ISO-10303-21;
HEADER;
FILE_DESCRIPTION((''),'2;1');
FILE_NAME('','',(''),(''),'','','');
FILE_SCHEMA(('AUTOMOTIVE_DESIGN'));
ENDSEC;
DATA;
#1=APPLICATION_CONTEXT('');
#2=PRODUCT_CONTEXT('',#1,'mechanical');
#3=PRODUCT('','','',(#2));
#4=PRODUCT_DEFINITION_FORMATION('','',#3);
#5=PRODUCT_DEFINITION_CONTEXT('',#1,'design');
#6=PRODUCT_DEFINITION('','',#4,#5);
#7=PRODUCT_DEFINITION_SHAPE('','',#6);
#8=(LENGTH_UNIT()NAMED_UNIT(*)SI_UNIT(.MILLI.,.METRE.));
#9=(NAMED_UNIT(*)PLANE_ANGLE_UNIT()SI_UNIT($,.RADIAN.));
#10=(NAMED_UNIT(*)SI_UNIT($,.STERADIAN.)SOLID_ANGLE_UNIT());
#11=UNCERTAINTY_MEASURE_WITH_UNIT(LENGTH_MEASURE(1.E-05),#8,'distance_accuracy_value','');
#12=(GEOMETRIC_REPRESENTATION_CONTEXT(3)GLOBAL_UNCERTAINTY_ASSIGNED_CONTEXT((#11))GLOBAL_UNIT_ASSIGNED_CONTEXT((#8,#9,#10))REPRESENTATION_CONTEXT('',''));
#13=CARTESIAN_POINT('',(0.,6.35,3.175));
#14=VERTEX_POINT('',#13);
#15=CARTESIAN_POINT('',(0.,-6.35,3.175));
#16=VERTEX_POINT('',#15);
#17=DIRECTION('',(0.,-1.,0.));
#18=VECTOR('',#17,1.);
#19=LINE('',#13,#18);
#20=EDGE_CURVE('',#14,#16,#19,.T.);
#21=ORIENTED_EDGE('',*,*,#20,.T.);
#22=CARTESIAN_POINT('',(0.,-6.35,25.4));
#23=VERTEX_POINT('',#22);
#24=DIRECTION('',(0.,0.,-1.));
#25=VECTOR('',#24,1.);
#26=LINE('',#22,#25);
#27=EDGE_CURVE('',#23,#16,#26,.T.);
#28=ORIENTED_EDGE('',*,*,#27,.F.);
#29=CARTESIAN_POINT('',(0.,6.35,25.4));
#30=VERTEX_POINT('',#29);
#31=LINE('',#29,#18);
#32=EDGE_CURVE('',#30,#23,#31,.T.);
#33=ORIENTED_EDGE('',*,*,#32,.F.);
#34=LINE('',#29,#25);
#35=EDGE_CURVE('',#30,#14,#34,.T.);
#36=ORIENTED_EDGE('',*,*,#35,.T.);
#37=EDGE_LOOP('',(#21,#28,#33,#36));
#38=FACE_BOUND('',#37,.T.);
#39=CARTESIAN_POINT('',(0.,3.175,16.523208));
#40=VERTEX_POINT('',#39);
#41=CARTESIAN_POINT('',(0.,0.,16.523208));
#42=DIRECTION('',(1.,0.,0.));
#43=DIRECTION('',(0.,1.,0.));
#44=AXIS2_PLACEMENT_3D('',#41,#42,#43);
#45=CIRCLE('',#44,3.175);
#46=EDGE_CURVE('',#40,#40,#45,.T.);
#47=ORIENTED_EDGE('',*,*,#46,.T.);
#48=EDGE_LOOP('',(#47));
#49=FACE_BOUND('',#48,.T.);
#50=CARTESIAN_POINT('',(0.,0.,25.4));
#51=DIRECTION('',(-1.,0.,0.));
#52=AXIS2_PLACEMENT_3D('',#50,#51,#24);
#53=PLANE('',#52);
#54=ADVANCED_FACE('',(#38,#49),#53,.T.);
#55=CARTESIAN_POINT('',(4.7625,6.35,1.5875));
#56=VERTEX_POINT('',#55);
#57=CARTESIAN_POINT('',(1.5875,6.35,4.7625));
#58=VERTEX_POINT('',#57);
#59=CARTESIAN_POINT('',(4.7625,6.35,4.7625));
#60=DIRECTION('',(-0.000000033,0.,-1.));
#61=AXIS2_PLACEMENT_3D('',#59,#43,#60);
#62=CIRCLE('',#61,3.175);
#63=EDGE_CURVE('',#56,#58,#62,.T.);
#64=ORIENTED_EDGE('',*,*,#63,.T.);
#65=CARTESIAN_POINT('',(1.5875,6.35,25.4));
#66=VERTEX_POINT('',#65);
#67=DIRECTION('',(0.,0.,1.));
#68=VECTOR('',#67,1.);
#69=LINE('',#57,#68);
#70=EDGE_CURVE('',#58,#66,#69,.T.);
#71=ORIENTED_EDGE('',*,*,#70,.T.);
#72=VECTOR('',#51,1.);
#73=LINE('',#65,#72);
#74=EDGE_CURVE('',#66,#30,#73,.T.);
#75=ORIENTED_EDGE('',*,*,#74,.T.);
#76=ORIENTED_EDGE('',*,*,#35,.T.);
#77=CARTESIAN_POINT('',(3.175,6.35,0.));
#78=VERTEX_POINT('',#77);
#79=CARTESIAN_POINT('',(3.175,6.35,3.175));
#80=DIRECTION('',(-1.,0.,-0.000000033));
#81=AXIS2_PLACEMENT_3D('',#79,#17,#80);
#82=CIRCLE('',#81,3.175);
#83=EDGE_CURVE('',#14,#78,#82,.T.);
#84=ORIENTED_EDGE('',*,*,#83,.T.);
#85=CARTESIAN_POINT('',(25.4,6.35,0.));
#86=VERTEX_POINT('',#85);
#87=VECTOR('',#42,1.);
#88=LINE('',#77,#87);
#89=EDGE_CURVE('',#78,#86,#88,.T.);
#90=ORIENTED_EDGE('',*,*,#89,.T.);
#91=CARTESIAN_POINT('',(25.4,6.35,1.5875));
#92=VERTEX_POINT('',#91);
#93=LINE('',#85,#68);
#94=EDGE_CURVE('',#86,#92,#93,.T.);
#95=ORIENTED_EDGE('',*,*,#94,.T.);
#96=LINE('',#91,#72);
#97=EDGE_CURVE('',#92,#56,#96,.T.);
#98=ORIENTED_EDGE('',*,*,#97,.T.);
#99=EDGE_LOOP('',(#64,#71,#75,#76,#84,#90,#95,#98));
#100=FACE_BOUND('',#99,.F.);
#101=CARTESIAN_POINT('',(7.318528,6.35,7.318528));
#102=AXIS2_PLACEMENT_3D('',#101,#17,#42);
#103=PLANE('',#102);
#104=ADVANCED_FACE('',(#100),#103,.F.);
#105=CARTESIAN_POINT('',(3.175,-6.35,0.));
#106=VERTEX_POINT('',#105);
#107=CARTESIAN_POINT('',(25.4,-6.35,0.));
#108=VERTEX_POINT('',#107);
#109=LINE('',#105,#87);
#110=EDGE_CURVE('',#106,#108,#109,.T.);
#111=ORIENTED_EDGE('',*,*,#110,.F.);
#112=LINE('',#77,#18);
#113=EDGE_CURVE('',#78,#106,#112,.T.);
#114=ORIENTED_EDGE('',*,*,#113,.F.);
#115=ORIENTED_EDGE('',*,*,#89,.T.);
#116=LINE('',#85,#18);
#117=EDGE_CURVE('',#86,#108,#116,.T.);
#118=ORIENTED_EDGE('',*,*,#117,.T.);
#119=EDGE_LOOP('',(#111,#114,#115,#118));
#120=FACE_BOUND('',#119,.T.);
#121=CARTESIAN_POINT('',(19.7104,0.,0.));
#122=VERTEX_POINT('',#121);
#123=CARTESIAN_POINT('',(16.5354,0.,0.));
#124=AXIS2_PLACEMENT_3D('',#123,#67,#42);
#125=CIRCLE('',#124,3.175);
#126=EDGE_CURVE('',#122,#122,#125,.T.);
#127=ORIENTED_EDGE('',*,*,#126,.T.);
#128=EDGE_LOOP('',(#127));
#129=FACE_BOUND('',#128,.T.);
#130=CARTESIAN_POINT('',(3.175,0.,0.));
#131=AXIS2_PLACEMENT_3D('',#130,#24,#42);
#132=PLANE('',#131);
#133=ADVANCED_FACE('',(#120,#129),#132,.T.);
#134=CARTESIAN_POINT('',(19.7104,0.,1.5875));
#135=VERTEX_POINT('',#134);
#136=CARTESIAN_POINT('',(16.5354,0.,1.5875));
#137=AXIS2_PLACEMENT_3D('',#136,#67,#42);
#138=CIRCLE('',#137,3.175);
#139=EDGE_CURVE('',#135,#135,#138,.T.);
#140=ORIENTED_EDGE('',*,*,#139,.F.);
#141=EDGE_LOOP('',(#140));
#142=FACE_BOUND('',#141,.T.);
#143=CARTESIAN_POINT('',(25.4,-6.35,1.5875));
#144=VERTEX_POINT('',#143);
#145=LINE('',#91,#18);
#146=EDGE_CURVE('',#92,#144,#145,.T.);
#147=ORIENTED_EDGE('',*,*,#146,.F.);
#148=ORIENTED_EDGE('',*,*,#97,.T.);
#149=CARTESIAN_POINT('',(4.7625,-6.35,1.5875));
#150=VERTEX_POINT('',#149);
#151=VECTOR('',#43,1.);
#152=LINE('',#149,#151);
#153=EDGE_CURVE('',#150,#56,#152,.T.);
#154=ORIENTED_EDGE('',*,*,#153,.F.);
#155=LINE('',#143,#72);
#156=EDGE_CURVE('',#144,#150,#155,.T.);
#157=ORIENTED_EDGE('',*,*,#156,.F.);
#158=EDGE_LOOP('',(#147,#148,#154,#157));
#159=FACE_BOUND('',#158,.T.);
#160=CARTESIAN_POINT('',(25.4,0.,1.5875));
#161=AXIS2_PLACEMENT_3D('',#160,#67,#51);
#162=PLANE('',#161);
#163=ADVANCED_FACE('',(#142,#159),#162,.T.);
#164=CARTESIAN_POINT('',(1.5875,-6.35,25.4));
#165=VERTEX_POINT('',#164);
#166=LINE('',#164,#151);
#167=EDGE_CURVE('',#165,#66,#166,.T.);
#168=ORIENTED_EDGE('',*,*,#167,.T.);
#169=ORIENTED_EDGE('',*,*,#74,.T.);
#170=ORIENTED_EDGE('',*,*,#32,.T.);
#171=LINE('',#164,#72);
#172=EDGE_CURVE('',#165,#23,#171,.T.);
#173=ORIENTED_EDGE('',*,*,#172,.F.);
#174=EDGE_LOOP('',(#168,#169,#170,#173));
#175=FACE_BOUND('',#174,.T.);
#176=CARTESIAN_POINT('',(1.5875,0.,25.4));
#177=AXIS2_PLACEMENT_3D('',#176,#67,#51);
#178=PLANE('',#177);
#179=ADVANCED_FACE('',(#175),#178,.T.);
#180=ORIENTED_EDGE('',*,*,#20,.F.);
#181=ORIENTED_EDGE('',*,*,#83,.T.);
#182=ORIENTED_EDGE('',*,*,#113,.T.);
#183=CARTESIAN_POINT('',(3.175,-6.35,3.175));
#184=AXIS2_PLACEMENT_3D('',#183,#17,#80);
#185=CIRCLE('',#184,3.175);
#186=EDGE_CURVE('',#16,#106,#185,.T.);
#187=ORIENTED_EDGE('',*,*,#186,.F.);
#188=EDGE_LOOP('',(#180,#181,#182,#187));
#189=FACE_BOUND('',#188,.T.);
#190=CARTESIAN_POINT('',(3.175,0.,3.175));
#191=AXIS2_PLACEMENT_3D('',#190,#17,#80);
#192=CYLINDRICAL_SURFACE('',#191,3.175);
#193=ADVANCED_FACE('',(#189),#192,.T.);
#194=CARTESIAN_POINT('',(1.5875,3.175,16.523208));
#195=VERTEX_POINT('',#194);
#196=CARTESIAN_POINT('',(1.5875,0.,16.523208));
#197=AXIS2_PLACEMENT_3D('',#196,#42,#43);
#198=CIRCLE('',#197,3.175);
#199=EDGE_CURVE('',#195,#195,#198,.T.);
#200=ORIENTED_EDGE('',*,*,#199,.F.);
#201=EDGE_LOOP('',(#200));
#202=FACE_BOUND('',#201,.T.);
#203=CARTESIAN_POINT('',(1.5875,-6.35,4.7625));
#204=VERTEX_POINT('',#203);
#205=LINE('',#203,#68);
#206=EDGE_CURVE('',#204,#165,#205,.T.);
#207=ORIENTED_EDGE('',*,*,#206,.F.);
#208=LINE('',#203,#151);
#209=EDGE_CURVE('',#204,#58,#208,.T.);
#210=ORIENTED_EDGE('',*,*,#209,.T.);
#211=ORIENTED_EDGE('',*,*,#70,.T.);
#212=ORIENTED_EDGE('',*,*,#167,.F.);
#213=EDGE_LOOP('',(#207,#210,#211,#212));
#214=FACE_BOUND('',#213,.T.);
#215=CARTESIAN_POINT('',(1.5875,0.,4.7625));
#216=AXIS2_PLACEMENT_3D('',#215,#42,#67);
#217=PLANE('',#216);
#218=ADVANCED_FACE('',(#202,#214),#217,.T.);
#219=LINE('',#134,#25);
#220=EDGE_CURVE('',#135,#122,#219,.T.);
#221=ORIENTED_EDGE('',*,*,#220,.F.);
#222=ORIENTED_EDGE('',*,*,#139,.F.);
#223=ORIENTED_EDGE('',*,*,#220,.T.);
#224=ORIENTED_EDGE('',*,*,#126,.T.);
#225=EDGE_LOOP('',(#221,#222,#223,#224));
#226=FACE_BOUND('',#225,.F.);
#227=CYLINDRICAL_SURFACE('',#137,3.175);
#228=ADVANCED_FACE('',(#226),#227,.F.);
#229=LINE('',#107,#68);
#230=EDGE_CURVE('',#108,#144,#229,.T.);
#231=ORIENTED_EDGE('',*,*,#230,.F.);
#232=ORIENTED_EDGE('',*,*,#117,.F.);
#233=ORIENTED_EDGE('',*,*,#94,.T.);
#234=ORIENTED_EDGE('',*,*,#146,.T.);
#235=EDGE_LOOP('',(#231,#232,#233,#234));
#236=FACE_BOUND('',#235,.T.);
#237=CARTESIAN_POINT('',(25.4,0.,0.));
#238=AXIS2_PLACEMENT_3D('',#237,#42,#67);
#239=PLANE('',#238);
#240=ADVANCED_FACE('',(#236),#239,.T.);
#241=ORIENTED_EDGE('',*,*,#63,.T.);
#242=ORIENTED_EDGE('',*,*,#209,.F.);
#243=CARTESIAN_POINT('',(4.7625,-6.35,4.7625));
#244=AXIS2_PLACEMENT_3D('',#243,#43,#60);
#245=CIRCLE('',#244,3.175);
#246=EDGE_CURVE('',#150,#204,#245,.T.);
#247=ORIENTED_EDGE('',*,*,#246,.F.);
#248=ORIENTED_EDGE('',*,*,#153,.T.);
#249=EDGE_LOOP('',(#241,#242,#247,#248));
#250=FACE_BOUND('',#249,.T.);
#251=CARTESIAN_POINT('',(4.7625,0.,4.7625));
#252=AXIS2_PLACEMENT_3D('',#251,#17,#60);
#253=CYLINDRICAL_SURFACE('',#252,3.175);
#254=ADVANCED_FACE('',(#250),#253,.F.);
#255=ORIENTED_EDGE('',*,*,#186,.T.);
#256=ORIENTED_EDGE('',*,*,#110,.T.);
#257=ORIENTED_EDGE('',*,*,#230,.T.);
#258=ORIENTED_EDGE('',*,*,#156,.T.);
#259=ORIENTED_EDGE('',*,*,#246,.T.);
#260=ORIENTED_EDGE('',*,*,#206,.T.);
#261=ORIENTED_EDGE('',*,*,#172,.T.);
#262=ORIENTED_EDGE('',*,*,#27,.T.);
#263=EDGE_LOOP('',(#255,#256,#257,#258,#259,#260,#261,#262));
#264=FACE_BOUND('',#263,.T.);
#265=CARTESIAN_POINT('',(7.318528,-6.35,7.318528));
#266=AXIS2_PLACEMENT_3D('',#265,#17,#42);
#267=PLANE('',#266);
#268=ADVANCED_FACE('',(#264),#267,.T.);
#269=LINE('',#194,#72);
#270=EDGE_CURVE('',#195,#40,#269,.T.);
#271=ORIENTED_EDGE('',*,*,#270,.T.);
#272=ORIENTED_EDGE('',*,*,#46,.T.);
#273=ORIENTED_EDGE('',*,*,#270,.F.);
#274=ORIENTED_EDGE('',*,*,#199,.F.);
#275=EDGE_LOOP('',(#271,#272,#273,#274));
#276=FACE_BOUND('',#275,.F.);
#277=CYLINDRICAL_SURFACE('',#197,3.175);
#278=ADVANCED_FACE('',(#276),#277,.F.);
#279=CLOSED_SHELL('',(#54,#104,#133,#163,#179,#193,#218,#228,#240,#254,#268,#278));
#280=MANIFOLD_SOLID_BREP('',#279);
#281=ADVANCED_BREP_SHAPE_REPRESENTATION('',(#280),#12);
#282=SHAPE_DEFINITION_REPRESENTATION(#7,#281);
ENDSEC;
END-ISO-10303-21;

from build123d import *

# Parameters (mm, degrees)
F1_DEPTH = 6.35
F2_R     = 3.175
F3_DEPTH = 1.5885
F4_R     = 3.175
F5_DEPTH = 1.5885


with BuildPart() as f1:
    # F0 (on Front) → F1 (new body, symmetric)
    with BuildSketch(Plane.XZ):
        with BuildLine():
            Line((1.5875, 25.4), (0, 25.4))
            Line((0, 25.4), (0, 3.175))
            ThreePointArc((0, 3.175), (0.929936, 0.929936), (3.175, 0))
            Line((3.175, 0), (25.4, 0))
            Line((25.4, 0), (25.4, 1.5875))
            Line((25.4, 1.5875), (4.7625, 1.5875))
            ThreePointArc((4.7625, 1.5875), (2.517436, 2.517436), (1.5875, 4.7625))
            Line((1.5875, 4.7625), (1.5875, 25.4))
        make_face()
    extrude(amount=F1_DEPTH, both=True)

    # F2 (on face) → F3 (cut, through all)
    with BuildSketch(Plane.YZ.offset(1.5875)):
        with Locations((0, 16.523208)):
            Circle(F2_R)
    extrude(amount=-F3_DEPTH, mode=Mode.SUBTRACT)

    # F4 (on face) → F5 (cut, through all)
    with BuildSketch(Plane.XY.offset(1.5875)):
        with Locations((16.5354, 0)):
            Circle(F4_R)
    extrude(amount=-F5_DEPTH, mode=Mode.SUBTRACT)


solid = f1.part
